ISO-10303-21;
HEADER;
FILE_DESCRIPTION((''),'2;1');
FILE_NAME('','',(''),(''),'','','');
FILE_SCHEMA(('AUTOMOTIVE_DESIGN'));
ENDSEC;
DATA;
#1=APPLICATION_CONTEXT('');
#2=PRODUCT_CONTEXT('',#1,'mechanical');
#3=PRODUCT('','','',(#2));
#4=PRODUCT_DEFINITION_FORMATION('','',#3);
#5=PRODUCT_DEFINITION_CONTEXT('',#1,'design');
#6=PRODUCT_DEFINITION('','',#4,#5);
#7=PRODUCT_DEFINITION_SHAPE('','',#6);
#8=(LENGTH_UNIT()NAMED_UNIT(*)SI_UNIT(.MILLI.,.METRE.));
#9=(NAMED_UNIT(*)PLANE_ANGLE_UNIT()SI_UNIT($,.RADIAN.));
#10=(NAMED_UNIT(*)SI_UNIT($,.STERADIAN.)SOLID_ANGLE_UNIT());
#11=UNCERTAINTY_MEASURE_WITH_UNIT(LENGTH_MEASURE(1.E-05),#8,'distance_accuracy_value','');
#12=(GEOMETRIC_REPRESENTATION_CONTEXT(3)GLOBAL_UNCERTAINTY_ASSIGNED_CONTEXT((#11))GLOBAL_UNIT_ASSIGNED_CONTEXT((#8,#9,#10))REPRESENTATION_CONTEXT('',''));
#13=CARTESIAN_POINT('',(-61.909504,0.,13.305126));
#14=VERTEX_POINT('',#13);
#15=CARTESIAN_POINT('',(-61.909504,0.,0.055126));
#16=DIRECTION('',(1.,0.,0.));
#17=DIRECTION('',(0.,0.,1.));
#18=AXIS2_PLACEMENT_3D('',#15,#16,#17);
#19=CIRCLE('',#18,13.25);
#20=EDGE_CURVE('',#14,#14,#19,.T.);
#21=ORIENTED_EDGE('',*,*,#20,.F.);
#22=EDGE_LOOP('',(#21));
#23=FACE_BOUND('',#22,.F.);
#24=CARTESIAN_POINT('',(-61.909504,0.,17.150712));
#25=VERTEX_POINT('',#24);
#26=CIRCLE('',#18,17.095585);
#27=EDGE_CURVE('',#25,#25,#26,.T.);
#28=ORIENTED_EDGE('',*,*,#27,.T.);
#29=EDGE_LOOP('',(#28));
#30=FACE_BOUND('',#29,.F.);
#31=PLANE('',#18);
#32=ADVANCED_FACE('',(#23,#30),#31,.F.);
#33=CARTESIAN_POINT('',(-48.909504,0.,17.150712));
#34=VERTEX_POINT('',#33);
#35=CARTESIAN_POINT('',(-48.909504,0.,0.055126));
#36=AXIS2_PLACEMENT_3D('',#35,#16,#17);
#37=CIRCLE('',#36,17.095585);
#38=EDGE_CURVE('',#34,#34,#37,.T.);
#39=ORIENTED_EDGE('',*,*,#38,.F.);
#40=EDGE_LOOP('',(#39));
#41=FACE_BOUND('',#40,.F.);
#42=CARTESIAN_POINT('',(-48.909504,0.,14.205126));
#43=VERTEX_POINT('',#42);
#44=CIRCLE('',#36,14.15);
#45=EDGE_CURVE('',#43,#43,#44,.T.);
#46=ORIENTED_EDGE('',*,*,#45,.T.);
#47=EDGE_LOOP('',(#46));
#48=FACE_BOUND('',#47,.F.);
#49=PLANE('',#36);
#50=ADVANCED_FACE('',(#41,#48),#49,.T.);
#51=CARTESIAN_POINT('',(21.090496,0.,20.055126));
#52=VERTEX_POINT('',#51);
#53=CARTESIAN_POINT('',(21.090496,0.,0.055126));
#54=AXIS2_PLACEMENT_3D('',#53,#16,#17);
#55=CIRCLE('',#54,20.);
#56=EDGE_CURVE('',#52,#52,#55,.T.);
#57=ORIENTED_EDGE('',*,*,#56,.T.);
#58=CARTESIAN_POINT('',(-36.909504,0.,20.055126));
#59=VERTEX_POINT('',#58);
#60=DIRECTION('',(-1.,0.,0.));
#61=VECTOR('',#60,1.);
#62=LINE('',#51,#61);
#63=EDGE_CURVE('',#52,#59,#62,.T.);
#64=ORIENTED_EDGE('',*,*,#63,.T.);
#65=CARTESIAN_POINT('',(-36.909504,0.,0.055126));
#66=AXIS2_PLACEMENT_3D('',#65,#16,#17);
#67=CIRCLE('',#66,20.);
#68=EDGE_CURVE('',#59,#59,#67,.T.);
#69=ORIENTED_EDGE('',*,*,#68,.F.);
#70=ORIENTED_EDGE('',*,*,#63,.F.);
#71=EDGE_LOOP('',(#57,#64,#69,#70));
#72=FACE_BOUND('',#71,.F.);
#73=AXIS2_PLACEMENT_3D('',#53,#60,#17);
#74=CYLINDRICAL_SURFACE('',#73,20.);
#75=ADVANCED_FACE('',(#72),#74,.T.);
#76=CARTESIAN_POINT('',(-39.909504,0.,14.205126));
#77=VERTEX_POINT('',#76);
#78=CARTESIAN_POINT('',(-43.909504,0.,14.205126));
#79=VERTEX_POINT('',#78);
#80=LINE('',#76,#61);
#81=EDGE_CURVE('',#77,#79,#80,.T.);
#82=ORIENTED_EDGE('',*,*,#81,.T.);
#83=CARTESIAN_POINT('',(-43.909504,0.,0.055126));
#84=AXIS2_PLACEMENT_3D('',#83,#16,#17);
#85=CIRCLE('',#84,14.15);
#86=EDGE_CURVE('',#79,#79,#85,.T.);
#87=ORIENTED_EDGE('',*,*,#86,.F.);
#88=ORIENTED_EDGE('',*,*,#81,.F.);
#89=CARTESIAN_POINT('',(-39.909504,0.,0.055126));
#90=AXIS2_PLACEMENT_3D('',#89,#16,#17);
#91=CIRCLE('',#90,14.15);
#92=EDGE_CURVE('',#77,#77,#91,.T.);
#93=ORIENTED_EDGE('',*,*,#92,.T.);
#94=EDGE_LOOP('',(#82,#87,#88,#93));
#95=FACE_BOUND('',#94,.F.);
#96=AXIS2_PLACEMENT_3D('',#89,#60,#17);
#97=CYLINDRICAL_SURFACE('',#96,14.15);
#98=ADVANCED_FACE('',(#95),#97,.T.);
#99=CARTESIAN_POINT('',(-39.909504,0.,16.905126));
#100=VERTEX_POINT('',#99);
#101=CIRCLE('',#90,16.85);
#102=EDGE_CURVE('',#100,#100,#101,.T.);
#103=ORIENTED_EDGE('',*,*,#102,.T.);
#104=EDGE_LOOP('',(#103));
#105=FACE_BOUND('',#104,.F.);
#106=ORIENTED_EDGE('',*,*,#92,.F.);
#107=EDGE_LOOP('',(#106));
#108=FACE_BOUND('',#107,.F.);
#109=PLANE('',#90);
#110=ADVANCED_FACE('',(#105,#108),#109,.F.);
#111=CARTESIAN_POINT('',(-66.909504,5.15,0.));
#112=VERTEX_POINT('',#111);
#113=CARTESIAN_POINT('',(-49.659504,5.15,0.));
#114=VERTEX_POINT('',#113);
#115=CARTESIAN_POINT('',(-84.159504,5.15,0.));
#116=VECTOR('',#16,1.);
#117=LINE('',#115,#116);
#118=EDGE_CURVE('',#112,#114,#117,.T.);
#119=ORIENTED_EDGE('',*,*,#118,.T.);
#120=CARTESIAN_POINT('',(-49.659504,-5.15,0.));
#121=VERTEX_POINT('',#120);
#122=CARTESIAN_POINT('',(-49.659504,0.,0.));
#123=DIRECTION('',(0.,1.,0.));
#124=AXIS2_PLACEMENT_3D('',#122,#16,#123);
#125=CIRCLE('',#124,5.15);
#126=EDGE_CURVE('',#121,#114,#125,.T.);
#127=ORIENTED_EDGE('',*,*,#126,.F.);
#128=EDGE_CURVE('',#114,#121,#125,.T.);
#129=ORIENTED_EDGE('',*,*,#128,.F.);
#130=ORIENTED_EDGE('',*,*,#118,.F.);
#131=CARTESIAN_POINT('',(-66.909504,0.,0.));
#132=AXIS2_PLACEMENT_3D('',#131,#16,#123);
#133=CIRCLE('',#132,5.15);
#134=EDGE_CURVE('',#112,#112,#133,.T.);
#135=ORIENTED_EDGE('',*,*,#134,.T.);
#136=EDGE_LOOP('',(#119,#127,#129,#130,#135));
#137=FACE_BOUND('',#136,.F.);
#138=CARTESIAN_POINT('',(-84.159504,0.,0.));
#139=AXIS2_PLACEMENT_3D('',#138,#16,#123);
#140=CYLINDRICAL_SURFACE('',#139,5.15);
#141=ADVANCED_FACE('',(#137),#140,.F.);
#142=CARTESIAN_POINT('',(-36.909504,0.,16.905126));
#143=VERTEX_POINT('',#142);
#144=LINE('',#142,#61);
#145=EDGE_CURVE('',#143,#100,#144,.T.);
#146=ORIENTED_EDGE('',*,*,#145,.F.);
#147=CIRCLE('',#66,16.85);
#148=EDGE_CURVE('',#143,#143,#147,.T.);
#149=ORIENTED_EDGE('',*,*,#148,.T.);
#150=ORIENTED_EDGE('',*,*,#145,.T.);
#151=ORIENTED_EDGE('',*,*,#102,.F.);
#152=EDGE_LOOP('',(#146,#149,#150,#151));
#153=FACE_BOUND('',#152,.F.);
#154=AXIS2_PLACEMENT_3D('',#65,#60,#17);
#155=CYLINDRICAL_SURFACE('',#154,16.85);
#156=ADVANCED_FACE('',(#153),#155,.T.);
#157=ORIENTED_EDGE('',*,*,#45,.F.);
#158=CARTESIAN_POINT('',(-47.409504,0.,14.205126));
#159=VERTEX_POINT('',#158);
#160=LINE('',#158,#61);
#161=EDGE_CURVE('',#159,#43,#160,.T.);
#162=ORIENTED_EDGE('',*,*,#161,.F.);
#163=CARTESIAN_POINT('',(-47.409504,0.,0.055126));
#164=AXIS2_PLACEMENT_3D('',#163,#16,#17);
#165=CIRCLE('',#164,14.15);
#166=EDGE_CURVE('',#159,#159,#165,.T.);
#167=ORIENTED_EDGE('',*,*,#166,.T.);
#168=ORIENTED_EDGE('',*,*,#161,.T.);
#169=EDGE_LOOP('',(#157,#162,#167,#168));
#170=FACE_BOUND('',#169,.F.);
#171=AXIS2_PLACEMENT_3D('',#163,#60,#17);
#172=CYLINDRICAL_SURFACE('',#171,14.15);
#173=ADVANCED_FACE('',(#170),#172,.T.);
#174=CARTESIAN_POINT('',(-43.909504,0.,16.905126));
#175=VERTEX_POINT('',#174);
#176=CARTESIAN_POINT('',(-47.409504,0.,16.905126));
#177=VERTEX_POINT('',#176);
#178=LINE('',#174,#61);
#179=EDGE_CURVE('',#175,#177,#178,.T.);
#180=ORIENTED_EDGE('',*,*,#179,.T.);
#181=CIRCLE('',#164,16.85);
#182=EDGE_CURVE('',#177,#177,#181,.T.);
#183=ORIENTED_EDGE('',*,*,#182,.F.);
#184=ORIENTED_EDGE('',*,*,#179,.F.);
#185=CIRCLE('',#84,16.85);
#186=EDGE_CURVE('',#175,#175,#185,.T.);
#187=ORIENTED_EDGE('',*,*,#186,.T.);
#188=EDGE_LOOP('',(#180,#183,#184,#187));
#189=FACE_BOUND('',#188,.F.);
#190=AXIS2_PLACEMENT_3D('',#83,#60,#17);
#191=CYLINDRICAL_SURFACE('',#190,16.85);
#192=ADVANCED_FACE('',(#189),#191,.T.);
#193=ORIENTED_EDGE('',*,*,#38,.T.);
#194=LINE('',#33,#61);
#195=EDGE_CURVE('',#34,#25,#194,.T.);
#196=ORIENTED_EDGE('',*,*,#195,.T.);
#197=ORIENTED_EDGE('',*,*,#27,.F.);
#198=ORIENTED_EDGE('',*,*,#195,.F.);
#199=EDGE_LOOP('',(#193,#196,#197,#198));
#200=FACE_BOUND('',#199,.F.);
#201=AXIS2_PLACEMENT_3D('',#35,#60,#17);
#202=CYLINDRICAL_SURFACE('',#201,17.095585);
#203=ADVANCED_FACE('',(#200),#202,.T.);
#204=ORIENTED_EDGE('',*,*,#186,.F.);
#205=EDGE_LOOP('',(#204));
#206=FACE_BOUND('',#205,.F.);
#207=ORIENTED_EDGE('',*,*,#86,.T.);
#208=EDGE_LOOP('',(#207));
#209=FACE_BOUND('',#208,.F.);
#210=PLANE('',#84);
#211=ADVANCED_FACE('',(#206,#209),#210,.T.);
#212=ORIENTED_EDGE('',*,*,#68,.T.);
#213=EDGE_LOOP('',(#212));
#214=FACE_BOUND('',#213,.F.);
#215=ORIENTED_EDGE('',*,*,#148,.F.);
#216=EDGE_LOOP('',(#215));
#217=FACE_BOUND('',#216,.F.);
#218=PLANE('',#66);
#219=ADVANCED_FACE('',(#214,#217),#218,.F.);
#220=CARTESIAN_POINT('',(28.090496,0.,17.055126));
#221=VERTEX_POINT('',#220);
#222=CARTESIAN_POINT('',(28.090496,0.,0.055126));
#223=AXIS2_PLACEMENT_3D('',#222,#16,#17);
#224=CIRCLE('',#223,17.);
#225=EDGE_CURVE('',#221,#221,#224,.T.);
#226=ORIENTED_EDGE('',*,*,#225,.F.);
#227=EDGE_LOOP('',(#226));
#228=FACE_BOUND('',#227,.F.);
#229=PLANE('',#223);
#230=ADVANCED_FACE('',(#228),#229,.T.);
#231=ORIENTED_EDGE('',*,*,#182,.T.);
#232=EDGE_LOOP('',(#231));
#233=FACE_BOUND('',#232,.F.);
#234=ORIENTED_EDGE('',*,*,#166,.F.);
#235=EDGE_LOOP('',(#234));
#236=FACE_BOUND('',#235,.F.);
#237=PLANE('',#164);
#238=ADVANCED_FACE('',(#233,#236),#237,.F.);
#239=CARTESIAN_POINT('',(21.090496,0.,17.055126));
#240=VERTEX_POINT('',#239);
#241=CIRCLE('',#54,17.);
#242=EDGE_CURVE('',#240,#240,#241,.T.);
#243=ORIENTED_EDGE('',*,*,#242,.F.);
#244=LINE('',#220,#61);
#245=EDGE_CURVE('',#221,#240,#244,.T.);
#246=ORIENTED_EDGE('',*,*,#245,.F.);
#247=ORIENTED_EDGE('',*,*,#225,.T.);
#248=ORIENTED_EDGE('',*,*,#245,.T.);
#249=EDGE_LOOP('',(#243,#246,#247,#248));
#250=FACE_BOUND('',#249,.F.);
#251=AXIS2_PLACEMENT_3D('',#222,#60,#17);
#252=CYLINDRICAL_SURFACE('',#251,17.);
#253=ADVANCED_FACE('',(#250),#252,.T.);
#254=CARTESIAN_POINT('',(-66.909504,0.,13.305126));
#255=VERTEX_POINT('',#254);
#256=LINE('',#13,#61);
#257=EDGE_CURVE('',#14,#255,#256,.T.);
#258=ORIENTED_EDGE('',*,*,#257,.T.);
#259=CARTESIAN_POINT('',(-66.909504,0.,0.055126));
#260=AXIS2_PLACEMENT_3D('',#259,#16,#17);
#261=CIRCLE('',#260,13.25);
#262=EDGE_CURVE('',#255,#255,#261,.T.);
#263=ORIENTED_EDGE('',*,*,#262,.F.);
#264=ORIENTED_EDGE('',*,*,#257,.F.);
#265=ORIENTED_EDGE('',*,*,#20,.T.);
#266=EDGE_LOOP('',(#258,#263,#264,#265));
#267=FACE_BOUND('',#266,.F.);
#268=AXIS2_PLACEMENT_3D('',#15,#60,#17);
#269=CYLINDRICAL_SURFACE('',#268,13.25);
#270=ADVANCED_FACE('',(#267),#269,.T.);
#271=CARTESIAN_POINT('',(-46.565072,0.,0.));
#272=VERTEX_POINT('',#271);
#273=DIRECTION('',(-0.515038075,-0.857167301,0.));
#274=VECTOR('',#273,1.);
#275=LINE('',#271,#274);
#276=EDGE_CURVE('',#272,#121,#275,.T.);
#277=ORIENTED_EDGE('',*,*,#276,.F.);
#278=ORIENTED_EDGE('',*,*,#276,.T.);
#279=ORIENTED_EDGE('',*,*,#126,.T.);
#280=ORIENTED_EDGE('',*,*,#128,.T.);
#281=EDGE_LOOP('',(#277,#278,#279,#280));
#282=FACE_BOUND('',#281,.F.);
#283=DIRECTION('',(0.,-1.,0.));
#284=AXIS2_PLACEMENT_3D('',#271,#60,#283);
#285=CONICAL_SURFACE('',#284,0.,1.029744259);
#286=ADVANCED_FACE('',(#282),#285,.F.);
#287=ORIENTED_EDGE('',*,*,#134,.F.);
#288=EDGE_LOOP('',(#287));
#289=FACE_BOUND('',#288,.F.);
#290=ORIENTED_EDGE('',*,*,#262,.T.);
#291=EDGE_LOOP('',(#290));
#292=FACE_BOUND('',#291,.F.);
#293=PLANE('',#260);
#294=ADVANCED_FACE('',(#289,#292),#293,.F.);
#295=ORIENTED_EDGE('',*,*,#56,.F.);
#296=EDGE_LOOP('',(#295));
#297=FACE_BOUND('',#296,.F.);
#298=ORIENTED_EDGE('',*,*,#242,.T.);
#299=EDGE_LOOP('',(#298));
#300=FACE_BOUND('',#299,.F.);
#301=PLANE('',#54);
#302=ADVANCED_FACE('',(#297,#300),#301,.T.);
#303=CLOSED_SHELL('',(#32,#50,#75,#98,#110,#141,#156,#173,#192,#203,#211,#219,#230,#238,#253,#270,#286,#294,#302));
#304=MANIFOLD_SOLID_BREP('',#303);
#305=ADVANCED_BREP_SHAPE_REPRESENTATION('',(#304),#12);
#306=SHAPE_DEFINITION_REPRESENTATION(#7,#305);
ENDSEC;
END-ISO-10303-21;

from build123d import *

# Parameters (mm, degrees)
F3_D     = 10.3
F3_DEPTH = 17.25
F3_TIP   = 3.094432188


with BuildPart() as f1:
    # F0 (on Front) → F1 (revolve)
    with BuildSketch(Plane.XZ):
        Polygon((-66.909504354, 13.3051262531), (-66.909504354, 0.0551262531), (28.090495646, 0.0551262531), (28.090495646, 17.0551262531), (21.090495646, 17.0551262531), (21.090495646, 20.0551262531), (-36.909504354, 20.0551262531), (-36.909504354, 16.9051262531), (-39.909504354, 16.9051262531), (-39.909504354, 14.2051262531), (-43.909504354, 14.2051262531), (-43.909504354, 16.9051262531), (-47.409504354, 16.9051262531), (-47.409504354, 14.2051262531), (-48.909504354, 14.2051262531), (-48.909504354, 17.1507116718), (-61.909504354, 17.1507116718), (-61.909504354, 13.3051262531), align=None)
    revolve(axis=Axis((-19.409504354, 0, 0.0551262531), (1, 0, 0)))

    # F3
    with Locations(Plane(origin=(-66.909504354, 0, 0), x_dir=(0, -1, 0), z_dir=(-1, 0, 0))):
        with Locations((0, 0)):
            Hole(F3_D / 2, depth=F3_DEPTH)
            with Locations((0, 0, -(F3_DEPTH + F3_TIP / 2))):  # 118° drill point
                Cone(0, F3_D / 2, F3_TIP, mode=Mode.SUBTRACT)


solid = f1.part
